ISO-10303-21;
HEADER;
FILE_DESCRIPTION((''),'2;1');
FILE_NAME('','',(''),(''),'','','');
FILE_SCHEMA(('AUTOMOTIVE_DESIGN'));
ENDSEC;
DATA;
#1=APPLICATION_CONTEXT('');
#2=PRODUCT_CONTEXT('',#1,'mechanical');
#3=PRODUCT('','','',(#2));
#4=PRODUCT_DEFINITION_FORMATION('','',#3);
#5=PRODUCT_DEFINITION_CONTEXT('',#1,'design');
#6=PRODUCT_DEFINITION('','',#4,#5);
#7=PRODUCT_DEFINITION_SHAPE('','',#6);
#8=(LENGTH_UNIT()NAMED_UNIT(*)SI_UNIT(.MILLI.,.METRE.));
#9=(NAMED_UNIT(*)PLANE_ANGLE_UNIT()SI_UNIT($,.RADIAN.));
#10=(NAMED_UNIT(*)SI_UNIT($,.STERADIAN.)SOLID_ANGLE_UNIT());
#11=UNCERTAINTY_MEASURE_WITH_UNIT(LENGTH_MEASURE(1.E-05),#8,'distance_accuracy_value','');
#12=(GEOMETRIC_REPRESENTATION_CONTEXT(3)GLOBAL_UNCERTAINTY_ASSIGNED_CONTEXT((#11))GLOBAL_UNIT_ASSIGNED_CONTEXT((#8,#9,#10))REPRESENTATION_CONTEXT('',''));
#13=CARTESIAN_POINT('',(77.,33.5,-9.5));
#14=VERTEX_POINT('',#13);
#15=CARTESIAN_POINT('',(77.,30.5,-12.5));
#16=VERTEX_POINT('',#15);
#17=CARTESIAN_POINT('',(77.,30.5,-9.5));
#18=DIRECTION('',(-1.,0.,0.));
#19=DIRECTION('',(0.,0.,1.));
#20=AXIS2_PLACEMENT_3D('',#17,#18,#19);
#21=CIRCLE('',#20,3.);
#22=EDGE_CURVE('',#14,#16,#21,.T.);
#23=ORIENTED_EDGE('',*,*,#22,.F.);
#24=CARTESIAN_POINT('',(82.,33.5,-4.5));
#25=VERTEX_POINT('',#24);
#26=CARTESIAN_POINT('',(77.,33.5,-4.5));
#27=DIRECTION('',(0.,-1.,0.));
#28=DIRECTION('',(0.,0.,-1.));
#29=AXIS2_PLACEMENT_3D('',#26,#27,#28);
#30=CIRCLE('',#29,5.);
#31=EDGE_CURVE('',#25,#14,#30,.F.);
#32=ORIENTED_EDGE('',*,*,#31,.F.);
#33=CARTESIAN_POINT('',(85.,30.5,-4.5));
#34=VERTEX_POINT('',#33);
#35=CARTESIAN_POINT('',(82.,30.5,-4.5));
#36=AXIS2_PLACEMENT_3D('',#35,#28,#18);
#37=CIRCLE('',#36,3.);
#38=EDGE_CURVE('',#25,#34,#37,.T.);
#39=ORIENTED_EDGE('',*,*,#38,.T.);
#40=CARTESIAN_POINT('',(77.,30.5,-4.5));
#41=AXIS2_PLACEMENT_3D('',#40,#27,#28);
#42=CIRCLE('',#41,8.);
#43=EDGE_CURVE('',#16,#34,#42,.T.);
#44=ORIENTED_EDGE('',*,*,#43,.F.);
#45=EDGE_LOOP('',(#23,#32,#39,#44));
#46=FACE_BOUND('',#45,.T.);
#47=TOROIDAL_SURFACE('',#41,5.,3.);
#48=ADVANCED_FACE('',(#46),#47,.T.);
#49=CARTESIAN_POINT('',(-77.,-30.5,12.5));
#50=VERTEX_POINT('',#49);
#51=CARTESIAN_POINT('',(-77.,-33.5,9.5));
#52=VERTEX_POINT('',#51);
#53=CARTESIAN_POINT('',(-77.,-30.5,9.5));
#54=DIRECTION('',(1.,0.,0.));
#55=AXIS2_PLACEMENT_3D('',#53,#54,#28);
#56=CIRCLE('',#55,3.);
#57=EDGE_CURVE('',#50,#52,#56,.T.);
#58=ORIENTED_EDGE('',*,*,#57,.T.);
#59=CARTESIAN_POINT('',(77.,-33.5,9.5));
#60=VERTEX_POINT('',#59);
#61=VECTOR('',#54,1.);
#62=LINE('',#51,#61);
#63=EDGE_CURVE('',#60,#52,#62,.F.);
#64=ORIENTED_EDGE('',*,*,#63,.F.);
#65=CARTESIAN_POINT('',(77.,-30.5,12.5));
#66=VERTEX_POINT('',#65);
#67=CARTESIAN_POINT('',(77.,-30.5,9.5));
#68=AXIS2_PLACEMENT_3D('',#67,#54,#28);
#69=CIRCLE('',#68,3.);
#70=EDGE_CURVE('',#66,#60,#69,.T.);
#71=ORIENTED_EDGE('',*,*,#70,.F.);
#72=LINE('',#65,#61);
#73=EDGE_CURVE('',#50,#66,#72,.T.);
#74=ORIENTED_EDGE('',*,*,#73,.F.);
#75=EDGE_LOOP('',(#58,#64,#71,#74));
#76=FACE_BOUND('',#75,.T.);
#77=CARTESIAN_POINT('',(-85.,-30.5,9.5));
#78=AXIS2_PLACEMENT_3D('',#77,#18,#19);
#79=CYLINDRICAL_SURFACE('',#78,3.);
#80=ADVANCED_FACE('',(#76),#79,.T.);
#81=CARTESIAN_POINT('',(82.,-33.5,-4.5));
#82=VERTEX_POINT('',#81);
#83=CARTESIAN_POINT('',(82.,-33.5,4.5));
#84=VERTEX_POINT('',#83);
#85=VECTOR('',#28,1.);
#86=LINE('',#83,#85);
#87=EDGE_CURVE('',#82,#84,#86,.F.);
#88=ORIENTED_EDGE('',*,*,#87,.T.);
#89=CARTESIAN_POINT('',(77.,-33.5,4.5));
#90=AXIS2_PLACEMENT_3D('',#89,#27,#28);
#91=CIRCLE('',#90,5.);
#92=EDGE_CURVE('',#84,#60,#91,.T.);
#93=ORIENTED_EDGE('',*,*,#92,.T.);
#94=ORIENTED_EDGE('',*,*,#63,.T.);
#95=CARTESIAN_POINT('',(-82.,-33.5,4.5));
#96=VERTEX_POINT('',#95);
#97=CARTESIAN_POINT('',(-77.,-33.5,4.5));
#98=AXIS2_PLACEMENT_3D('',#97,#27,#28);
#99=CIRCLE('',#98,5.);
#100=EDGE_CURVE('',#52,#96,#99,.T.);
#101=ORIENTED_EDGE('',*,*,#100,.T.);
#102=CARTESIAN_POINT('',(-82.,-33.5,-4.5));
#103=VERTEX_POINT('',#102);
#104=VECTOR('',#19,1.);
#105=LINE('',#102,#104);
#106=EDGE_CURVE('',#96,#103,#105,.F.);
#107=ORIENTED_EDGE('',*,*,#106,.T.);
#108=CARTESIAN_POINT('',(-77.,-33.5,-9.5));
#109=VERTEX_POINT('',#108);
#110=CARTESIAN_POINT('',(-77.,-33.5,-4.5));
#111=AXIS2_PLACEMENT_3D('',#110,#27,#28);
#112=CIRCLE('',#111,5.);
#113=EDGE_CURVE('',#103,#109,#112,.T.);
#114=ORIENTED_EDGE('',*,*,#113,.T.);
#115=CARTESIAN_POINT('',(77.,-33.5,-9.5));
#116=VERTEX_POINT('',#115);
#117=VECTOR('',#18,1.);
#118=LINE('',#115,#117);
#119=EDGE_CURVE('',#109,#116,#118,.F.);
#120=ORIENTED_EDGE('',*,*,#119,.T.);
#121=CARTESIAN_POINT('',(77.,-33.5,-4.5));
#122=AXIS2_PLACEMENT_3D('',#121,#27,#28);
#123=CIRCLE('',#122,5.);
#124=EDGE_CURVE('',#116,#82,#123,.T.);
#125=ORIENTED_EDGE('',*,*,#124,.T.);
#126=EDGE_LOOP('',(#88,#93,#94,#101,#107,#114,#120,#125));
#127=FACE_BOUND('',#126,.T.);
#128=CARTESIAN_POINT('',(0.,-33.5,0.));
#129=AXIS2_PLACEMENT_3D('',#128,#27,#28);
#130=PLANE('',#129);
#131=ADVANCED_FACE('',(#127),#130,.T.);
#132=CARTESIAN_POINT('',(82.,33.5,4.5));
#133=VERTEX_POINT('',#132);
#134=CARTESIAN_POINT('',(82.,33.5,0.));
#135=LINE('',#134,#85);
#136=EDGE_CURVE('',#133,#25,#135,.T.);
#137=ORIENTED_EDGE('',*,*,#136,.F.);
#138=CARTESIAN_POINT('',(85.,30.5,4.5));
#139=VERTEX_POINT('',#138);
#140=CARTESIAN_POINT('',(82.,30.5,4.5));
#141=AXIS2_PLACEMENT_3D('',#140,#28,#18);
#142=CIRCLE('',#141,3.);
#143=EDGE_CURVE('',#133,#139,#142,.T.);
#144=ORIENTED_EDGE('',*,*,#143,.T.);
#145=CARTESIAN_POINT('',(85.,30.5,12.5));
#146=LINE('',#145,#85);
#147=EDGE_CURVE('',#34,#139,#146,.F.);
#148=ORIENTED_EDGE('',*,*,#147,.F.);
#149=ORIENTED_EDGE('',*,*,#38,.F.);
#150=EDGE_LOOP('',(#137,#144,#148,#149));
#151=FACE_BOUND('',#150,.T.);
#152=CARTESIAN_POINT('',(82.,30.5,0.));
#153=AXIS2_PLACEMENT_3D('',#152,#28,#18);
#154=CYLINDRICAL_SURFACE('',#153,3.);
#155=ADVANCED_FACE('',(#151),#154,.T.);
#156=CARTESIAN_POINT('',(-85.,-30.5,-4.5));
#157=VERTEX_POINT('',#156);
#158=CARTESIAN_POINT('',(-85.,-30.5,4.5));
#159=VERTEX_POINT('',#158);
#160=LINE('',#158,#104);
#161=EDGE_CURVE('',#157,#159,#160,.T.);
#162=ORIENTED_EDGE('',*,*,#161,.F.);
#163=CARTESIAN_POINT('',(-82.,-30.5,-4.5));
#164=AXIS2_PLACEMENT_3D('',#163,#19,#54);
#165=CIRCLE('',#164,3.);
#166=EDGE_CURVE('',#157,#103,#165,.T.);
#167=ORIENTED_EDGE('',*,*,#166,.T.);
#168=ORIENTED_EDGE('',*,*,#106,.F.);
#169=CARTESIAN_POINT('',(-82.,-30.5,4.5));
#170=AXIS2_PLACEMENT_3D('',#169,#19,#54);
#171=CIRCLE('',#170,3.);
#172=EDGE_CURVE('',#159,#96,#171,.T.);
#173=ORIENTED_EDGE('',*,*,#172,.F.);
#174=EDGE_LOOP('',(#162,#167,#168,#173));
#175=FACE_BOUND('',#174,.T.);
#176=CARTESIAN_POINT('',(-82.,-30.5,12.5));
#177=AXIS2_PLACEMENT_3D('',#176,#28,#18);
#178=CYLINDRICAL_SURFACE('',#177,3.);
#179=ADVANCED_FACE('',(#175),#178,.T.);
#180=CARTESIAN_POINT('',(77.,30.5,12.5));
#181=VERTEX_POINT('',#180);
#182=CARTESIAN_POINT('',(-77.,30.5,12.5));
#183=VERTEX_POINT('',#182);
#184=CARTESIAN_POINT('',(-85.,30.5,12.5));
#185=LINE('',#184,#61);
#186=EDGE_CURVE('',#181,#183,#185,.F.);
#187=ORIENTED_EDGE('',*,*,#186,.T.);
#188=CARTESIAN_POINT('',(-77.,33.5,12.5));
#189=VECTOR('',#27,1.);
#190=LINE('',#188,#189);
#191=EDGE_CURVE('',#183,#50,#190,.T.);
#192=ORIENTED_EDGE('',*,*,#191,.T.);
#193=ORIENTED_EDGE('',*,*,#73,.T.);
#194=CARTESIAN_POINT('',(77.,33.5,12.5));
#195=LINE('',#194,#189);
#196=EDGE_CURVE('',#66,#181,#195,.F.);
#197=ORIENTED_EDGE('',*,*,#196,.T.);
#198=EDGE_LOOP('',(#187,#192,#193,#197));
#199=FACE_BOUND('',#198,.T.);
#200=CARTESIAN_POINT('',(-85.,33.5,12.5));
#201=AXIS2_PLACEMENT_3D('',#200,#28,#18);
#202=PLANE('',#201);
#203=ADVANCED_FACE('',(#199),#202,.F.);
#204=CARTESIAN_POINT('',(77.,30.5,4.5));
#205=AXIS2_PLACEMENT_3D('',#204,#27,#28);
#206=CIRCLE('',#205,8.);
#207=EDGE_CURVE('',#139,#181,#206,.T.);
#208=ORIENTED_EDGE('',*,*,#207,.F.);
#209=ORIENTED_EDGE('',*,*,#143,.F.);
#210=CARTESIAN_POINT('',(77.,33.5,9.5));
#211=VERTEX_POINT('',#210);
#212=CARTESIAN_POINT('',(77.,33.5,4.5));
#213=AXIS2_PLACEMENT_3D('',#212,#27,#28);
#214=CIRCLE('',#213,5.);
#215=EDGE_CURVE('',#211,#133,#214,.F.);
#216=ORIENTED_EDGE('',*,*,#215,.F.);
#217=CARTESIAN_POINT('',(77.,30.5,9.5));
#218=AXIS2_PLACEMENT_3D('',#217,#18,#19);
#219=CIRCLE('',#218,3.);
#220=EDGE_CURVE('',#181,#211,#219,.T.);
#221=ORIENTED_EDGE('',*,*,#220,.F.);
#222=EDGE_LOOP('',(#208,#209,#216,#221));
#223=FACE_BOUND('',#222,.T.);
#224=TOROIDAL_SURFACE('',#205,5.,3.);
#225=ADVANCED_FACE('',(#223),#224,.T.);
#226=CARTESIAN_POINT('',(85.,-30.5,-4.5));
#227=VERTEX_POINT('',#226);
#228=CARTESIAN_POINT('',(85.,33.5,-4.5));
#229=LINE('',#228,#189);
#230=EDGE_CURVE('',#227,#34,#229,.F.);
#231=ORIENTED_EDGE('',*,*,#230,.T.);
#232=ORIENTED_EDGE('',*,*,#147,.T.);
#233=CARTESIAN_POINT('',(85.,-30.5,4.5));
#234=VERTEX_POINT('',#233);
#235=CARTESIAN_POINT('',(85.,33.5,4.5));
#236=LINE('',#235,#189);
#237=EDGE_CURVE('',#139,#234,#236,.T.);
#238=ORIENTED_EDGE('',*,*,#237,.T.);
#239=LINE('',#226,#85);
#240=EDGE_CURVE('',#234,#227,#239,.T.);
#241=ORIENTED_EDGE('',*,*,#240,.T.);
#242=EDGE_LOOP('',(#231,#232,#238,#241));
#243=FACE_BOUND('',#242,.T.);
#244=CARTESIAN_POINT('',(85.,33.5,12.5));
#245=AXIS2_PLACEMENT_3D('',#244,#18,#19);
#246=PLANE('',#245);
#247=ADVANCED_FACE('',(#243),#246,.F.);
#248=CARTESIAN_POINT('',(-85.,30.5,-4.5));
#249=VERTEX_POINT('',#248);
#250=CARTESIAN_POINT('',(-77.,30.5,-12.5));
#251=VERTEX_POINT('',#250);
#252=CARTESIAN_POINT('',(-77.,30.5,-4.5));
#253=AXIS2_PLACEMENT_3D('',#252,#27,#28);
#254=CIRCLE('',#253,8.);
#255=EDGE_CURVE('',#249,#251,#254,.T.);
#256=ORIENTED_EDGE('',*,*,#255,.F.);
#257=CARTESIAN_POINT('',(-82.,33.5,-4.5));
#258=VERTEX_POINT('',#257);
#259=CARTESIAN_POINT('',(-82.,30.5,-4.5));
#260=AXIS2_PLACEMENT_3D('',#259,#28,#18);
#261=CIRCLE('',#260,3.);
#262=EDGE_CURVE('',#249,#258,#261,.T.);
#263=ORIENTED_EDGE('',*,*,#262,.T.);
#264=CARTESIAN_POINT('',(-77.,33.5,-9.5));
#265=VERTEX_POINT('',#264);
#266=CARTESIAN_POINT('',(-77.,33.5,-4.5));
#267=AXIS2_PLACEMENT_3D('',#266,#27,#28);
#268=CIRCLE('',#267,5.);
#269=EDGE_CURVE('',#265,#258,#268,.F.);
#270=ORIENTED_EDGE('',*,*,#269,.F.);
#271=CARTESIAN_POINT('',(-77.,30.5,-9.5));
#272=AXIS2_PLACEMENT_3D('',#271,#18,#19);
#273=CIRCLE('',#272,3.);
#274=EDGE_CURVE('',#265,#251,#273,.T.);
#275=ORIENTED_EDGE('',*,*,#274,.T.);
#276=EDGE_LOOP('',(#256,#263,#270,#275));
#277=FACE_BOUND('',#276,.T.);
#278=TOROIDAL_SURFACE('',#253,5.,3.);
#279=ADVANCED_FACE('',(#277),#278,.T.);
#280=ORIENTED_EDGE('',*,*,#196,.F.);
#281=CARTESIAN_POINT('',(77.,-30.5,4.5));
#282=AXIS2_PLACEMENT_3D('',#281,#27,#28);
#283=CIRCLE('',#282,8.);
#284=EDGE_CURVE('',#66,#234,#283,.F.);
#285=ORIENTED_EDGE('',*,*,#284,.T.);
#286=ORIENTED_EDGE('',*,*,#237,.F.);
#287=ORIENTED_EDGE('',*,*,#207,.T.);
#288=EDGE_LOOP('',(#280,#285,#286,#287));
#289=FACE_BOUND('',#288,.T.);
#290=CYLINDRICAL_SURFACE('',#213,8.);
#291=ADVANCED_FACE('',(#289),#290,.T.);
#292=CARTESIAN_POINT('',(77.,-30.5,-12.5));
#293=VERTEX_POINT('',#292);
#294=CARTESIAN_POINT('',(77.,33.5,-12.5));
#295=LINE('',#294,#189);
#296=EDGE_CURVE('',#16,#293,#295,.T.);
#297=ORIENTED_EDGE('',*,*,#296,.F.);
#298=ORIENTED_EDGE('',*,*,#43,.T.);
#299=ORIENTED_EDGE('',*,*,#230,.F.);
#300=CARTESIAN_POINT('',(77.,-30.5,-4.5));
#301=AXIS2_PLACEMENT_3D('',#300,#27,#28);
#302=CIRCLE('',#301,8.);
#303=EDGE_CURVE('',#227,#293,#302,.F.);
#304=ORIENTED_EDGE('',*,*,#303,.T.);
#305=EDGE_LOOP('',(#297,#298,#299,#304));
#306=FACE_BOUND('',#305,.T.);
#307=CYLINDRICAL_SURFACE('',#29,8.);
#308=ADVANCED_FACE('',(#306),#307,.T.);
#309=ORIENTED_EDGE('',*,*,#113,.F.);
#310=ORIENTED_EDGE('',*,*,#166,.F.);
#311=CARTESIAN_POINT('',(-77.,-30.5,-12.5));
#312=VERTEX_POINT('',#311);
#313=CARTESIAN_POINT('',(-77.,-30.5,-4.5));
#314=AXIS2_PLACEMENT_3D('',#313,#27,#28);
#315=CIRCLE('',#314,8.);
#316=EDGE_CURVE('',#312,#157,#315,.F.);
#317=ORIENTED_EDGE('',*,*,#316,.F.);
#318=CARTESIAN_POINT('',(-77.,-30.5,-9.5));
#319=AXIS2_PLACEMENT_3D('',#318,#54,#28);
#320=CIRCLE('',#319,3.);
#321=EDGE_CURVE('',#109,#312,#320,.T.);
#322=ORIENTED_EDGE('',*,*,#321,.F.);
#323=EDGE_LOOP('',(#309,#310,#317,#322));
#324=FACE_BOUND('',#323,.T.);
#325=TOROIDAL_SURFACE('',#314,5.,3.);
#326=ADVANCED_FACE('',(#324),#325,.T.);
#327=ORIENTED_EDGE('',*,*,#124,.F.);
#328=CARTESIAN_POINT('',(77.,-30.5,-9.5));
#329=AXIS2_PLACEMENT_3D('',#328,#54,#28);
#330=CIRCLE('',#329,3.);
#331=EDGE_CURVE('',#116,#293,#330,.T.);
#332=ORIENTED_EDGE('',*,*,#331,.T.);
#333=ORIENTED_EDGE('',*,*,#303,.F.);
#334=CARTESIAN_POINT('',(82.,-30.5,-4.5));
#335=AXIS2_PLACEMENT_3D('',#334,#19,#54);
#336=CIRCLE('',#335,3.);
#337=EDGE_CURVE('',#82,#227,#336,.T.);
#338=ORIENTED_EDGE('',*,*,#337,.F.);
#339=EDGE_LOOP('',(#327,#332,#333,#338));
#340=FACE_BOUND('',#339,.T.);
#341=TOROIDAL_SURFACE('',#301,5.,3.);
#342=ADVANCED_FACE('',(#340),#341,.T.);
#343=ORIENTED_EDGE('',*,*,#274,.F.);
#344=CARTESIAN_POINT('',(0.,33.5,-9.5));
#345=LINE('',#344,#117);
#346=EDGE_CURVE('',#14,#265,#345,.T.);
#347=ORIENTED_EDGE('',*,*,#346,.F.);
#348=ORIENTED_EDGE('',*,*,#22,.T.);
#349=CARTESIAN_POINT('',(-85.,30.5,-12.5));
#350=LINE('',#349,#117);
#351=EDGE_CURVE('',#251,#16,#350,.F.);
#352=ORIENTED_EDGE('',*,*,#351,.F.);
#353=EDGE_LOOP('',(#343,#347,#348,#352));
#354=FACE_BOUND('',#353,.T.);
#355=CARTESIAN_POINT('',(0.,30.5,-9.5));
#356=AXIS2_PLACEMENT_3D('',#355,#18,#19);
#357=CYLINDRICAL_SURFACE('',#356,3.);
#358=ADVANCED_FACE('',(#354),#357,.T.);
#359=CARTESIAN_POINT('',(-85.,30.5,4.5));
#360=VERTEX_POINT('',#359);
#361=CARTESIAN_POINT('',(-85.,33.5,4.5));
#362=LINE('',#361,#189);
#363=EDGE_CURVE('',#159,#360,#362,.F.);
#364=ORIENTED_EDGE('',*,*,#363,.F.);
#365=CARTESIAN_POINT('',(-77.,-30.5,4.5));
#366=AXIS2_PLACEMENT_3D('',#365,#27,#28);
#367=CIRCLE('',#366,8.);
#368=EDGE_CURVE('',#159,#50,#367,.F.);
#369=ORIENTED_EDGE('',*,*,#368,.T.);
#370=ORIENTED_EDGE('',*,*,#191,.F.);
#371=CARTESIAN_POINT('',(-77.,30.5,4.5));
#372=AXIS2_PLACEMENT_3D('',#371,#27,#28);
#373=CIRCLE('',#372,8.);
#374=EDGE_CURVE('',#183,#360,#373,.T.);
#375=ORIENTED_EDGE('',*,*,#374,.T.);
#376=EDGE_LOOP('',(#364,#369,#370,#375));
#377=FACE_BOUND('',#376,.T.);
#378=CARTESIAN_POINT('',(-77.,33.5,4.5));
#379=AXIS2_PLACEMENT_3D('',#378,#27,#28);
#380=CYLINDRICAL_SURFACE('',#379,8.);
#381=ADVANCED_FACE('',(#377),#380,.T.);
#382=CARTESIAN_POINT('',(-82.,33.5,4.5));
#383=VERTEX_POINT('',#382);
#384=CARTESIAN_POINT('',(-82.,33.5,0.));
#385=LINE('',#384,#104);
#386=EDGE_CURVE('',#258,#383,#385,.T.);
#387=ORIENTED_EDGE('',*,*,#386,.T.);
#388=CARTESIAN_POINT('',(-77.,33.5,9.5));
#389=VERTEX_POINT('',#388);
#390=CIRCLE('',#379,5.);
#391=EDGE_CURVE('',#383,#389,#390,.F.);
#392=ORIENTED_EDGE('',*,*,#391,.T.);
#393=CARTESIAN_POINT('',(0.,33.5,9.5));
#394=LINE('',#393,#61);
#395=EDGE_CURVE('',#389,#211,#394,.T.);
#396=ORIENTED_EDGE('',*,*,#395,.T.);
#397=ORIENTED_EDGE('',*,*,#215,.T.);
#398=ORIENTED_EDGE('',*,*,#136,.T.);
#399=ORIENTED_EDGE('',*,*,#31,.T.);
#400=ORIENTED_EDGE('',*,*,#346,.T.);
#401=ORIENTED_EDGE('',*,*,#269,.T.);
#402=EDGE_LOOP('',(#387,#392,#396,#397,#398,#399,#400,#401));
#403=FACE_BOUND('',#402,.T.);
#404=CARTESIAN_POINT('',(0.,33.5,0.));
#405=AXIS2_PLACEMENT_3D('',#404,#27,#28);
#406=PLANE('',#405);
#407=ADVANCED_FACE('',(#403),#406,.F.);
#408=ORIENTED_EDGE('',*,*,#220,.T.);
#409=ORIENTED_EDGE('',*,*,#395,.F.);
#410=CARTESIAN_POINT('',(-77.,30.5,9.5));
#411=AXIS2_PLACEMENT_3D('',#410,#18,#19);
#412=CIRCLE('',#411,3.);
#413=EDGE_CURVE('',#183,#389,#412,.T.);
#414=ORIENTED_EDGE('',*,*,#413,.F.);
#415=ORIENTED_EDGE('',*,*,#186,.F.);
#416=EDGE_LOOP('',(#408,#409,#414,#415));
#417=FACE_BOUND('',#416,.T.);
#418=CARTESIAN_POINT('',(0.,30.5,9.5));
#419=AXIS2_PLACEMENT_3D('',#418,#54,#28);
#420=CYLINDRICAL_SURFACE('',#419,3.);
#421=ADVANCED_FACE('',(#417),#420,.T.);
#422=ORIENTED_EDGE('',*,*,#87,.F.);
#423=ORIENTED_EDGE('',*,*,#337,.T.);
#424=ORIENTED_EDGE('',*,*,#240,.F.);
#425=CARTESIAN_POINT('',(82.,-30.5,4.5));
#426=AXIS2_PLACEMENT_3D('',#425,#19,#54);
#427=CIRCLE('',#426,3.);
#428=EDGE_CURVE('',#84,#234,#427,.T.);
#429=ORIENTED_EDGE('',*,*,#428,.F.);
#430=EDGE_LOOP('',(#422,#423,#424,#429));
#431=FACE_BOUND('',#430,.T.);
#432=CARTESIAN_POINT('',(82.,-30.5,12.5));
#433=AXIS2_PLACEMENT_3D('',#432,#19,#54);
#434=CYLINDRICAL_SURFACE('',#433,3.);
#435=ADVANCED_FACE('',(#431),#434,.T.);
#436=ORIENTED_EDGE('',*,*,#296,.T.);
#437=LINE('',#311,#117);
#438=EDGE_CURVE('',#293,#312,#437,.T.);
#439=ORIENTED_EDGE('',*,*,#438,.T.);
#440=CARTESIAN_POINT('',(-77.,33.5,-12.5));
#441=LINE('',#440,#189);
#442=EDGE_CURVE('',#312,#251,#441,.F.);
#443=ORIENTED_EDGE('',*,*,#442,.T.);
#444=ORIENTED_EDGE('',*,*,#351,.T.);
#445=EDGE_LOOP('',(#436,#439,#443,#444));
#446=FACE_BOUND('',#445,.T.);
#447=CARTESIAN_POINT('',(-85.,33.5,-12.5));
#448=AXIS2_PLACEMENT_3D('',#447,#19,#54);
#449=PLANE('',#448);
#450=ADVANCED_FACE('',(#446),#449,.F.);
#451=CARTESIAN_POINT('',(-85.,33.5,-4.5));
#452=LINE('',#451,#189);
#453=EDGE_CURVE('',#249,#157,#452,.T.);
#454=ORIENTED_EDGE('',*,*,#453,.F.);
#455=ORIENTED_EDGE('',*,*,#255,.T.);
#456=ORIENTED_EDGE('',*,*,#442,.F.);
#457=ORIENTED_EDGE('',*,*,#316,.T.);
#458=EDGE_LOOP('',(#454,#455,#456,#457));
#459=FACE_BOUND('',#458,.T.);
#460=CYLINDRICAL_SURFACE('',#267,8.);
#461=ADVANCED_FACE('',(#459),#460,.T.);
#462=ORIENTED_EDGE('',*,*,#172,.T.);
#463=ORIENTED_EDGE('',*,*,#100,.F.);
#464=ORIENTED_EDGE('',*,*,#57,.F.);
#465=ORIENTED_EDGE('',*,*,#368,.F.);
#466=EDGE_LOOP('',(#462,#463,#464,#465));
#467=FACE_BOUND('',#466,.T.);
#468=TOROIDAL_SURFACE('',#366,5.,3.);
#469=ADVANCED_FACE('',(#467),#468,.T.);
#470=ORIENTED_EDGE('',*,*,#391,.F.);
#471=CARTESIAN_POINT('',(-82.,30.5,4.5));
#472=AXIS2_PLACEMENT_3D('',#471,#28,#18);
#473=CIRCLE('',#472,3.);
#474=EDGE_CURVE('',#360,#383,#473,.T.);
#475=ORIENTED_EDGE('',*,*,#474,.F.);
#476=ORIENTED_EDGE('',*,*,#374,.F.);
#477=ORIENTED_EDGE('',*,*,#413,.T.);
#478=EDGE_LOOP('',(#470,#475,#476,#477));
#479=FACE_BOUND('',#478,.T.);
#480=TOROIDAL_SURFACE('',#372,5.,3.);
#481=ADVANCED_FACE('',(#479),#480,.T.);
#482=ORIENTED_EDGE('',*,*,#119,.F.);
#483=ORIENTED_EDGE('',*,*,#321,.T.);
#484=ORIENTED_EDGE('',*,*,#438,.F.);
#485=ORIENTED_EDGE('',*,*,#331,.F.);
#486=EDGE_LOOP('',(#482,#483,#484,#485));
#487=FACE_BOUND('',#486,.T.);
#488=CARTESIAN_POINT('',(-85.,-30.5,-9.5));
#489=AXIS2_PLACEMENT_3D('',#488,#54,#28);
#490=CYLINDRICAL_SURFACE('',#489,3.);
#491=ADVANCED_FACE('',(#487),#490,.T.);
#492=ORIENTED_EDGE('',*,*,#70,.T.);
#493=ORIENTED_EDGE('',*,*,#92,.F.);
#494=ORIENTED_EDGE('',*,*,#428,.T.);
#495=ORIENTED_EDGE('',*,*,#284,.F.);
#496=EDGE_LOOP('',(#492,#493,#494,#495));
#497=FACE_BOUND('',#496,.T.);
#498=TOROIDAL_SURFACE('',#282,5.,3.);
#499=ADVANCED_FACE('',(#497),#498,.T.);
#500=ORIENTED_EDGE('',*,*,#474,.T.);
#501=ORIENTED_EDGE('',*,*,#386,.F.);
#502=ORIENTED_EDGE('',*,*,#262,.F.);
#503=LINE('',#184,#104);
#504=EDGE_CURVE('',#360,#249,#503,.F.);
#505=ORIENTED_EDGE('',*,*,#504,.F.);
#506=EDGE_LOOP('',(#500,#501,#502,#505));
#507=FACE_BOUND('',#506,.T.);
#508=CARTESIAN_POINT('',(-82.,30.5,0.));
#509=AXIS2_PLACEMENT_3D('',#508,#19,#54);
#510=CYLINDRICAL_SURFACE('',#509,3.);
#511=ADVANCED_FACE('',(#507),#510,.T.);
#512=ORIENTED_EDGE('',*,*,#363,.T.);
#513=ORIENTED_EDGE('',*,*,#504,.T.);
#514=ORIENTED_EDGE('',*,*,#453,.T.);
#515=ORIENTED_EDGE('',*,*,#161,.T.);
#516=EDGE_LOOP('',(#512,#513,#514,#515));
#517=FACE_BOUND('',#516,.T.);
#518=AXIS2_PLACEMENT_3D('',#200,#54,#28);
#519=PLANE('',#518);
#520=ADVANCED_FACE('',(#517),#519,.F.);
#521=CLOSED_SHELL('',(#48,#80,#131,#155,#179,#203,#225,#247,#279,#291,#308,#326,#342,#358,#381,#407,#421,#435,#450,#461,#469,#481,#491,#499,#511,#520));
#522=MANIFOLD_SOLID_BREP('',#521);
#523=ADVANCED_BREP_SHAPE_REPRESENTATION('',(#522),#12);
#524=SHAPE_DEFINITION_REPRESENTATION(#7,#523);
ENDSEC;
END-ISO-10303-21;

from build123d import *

# Parameters (mm, degrees)
SKETCH1_W           = 170
SKETCH1_H           = 25
BOSS_EXTRUDE1_DEPTH = 33.5
FILLET1_R           = 8
FILLET2_R           = 3


with BuildPart() as part:
    # Sketch1 → Boss-Extrude1 (new body, symmetric)
    with BuildSketch(Plane(origin=(0, 0, 0), x_dir=(1, 0, 0), z_dir=(0, 1, 0))):
        Rectangle(SKETCH1_W, SKETCH1_H)
    extrude(amount=BOSS_EXTRUDE1_DEPTH, both=True)

    # Fillet1
    fillet1_edges = [part.edges().sort_by_distance(p)[0] for p in [
        (-85, 0, -12.5),
        (85, 0, -12.5),
        (85, 0, 12.5),
        (-85, 0, 12.5),
    ]]
    fillet(fillet1_edges, radius=FILLET1_R)

    # Fillet2
    fillet2_edges = [part.edges().sort_by_distance(p)[0] for p in [
        (0, -33.5, 12.5),
        (0, 33.5, 12.5),
        (-85, -33.5, 0),
        (0, -33.5, -12.5),
        (85, -33.5, 0),
        (82.656854249, -33.5, 10.156854249),
        (82.656854249, -33.5, -10.156854249),
        (-82.656854249, -33.5, -10.156854249),
        (-82.656854249, -33.5, 10.156854249),
        (-85, 33.5, 0),
        (85, 33.5, 0),
        (0, 33.5, -12.5),
        (82.656854249, 33.5, 10.156854249),
        (82.656854249, 33.5, -10.156854249),
        (-82.656854249, 33.5, -10.156854249),
        (-82.656854249, 33.5, 10.156854249),
    ]]
    fillet(fillet2_edges, radius=FILLET2_R)


solid = part.part
